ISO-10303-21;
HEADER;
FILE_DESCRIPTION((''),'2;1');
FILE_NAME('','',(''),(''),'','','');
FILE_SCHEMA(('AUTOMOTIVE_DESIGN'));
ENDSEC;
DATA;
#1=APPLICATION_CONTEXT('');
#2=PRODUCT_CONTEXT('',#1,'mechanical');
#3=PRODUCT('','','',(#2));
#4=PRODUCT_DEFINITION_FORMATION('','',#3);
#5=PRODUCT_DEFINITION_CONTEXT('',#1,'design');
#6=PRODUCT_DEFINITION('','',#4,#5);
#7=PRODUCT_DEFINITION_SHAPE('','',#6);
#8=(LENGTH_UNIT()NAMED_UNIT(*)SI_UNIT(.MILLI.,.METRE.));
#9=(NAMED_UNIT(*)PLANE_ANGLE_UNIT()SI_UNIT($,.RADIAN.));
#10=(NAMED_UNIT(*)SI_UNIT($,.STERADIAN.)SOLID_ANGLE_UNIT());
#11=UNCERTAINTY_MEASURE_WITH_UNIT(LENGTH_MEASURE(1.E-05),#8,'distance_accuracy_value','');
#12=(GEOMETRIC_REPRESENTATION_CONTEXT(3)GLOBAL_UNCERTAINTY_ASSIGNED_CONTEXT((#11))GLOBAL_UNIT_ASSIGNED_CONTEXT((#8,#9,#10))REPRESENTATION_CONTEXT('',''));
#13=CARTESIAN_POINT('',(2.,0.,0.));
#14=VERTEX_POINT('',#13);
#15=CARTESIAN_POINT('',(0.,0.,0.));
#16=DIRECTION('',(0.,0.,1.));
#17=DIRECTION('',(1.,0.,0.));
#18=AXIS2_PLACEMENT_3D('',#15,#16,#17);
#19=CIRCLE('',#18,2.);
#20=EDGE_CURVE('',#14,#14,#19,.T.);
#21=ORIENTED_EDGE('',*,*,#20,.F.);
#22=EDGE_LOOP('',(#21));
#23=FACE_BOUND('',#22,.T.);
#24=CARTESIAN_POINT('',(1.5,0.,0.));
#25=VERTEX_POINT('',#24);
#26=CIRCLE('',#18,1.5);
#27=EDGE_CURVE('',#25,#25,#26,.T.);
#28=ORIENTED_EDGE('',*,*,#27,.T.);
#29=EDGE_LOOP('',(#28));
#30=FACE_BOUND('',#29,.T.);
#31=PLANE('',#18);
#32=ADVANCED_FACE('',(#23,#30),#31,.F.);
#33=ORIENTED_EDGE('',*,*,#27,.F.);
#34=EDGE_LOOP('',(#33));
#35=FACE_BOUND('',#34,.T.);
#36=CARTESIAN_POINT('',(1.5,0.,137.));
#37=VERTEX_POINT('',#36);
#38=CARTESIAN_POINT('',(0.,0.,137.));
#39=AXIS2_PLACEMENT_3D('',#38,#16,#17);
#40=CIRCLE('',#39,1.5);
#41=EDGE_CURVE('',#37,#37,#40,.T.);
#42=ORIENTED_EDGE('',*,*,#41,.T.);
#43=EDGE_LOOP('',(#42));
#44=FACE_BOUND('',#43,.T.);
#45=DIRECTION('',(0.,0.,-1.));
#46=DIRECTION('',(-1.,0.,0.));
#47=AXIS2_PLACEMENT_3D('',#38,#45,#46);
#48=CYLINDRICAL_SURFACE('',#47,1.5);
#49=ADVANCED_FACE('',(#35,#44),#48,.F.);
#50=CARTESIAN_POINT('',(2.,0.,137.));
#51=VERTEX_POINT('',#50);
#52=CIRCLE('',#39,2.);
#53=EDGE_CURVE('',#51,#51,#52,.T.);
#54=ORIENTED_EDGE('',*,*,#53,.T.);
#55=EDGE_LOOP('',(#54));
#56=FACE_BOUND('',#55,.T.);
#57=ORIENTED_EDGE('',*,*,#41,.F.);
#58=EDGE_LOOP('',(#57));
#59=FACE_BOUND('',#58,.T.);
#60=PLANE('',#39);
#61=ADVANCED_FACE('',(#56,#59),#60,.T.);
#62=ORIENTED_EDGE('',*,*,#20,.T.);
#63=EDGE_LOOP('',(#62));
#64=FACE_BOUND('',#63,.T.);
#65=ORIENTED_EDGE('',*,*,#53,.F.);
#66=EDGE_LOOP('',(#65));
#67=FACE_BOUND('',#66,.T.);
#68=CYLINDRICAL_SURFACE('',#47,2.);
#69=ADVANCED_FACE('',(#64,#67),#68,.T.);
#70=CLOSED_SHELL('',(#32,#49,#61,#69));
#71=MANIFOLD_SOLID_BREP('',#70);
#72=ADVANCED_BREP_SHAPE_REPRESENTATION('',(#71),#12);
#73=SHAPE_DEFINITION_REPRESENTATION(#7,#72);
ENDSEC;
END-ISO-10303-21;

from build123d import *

# Parameters (mm, degrees)
ESQUISSE1_R        = 2
ESQUISSE1_R_2      = 1.5
EXTRU_MINCE1_DEPTH = 137


with BuildPart() as part:
    # Esquisse1 → Extru.-Mince1 (new body)
    with BuildSketch(Plane.XY):
        Circle(ESQUISSE1_R)
        Circle(ESQUISSE1_R_2, mode=Mode.SUBTRACT)
    extrude(amount=EXTRU_MINCE1_DEPTH)


solid = part.part
